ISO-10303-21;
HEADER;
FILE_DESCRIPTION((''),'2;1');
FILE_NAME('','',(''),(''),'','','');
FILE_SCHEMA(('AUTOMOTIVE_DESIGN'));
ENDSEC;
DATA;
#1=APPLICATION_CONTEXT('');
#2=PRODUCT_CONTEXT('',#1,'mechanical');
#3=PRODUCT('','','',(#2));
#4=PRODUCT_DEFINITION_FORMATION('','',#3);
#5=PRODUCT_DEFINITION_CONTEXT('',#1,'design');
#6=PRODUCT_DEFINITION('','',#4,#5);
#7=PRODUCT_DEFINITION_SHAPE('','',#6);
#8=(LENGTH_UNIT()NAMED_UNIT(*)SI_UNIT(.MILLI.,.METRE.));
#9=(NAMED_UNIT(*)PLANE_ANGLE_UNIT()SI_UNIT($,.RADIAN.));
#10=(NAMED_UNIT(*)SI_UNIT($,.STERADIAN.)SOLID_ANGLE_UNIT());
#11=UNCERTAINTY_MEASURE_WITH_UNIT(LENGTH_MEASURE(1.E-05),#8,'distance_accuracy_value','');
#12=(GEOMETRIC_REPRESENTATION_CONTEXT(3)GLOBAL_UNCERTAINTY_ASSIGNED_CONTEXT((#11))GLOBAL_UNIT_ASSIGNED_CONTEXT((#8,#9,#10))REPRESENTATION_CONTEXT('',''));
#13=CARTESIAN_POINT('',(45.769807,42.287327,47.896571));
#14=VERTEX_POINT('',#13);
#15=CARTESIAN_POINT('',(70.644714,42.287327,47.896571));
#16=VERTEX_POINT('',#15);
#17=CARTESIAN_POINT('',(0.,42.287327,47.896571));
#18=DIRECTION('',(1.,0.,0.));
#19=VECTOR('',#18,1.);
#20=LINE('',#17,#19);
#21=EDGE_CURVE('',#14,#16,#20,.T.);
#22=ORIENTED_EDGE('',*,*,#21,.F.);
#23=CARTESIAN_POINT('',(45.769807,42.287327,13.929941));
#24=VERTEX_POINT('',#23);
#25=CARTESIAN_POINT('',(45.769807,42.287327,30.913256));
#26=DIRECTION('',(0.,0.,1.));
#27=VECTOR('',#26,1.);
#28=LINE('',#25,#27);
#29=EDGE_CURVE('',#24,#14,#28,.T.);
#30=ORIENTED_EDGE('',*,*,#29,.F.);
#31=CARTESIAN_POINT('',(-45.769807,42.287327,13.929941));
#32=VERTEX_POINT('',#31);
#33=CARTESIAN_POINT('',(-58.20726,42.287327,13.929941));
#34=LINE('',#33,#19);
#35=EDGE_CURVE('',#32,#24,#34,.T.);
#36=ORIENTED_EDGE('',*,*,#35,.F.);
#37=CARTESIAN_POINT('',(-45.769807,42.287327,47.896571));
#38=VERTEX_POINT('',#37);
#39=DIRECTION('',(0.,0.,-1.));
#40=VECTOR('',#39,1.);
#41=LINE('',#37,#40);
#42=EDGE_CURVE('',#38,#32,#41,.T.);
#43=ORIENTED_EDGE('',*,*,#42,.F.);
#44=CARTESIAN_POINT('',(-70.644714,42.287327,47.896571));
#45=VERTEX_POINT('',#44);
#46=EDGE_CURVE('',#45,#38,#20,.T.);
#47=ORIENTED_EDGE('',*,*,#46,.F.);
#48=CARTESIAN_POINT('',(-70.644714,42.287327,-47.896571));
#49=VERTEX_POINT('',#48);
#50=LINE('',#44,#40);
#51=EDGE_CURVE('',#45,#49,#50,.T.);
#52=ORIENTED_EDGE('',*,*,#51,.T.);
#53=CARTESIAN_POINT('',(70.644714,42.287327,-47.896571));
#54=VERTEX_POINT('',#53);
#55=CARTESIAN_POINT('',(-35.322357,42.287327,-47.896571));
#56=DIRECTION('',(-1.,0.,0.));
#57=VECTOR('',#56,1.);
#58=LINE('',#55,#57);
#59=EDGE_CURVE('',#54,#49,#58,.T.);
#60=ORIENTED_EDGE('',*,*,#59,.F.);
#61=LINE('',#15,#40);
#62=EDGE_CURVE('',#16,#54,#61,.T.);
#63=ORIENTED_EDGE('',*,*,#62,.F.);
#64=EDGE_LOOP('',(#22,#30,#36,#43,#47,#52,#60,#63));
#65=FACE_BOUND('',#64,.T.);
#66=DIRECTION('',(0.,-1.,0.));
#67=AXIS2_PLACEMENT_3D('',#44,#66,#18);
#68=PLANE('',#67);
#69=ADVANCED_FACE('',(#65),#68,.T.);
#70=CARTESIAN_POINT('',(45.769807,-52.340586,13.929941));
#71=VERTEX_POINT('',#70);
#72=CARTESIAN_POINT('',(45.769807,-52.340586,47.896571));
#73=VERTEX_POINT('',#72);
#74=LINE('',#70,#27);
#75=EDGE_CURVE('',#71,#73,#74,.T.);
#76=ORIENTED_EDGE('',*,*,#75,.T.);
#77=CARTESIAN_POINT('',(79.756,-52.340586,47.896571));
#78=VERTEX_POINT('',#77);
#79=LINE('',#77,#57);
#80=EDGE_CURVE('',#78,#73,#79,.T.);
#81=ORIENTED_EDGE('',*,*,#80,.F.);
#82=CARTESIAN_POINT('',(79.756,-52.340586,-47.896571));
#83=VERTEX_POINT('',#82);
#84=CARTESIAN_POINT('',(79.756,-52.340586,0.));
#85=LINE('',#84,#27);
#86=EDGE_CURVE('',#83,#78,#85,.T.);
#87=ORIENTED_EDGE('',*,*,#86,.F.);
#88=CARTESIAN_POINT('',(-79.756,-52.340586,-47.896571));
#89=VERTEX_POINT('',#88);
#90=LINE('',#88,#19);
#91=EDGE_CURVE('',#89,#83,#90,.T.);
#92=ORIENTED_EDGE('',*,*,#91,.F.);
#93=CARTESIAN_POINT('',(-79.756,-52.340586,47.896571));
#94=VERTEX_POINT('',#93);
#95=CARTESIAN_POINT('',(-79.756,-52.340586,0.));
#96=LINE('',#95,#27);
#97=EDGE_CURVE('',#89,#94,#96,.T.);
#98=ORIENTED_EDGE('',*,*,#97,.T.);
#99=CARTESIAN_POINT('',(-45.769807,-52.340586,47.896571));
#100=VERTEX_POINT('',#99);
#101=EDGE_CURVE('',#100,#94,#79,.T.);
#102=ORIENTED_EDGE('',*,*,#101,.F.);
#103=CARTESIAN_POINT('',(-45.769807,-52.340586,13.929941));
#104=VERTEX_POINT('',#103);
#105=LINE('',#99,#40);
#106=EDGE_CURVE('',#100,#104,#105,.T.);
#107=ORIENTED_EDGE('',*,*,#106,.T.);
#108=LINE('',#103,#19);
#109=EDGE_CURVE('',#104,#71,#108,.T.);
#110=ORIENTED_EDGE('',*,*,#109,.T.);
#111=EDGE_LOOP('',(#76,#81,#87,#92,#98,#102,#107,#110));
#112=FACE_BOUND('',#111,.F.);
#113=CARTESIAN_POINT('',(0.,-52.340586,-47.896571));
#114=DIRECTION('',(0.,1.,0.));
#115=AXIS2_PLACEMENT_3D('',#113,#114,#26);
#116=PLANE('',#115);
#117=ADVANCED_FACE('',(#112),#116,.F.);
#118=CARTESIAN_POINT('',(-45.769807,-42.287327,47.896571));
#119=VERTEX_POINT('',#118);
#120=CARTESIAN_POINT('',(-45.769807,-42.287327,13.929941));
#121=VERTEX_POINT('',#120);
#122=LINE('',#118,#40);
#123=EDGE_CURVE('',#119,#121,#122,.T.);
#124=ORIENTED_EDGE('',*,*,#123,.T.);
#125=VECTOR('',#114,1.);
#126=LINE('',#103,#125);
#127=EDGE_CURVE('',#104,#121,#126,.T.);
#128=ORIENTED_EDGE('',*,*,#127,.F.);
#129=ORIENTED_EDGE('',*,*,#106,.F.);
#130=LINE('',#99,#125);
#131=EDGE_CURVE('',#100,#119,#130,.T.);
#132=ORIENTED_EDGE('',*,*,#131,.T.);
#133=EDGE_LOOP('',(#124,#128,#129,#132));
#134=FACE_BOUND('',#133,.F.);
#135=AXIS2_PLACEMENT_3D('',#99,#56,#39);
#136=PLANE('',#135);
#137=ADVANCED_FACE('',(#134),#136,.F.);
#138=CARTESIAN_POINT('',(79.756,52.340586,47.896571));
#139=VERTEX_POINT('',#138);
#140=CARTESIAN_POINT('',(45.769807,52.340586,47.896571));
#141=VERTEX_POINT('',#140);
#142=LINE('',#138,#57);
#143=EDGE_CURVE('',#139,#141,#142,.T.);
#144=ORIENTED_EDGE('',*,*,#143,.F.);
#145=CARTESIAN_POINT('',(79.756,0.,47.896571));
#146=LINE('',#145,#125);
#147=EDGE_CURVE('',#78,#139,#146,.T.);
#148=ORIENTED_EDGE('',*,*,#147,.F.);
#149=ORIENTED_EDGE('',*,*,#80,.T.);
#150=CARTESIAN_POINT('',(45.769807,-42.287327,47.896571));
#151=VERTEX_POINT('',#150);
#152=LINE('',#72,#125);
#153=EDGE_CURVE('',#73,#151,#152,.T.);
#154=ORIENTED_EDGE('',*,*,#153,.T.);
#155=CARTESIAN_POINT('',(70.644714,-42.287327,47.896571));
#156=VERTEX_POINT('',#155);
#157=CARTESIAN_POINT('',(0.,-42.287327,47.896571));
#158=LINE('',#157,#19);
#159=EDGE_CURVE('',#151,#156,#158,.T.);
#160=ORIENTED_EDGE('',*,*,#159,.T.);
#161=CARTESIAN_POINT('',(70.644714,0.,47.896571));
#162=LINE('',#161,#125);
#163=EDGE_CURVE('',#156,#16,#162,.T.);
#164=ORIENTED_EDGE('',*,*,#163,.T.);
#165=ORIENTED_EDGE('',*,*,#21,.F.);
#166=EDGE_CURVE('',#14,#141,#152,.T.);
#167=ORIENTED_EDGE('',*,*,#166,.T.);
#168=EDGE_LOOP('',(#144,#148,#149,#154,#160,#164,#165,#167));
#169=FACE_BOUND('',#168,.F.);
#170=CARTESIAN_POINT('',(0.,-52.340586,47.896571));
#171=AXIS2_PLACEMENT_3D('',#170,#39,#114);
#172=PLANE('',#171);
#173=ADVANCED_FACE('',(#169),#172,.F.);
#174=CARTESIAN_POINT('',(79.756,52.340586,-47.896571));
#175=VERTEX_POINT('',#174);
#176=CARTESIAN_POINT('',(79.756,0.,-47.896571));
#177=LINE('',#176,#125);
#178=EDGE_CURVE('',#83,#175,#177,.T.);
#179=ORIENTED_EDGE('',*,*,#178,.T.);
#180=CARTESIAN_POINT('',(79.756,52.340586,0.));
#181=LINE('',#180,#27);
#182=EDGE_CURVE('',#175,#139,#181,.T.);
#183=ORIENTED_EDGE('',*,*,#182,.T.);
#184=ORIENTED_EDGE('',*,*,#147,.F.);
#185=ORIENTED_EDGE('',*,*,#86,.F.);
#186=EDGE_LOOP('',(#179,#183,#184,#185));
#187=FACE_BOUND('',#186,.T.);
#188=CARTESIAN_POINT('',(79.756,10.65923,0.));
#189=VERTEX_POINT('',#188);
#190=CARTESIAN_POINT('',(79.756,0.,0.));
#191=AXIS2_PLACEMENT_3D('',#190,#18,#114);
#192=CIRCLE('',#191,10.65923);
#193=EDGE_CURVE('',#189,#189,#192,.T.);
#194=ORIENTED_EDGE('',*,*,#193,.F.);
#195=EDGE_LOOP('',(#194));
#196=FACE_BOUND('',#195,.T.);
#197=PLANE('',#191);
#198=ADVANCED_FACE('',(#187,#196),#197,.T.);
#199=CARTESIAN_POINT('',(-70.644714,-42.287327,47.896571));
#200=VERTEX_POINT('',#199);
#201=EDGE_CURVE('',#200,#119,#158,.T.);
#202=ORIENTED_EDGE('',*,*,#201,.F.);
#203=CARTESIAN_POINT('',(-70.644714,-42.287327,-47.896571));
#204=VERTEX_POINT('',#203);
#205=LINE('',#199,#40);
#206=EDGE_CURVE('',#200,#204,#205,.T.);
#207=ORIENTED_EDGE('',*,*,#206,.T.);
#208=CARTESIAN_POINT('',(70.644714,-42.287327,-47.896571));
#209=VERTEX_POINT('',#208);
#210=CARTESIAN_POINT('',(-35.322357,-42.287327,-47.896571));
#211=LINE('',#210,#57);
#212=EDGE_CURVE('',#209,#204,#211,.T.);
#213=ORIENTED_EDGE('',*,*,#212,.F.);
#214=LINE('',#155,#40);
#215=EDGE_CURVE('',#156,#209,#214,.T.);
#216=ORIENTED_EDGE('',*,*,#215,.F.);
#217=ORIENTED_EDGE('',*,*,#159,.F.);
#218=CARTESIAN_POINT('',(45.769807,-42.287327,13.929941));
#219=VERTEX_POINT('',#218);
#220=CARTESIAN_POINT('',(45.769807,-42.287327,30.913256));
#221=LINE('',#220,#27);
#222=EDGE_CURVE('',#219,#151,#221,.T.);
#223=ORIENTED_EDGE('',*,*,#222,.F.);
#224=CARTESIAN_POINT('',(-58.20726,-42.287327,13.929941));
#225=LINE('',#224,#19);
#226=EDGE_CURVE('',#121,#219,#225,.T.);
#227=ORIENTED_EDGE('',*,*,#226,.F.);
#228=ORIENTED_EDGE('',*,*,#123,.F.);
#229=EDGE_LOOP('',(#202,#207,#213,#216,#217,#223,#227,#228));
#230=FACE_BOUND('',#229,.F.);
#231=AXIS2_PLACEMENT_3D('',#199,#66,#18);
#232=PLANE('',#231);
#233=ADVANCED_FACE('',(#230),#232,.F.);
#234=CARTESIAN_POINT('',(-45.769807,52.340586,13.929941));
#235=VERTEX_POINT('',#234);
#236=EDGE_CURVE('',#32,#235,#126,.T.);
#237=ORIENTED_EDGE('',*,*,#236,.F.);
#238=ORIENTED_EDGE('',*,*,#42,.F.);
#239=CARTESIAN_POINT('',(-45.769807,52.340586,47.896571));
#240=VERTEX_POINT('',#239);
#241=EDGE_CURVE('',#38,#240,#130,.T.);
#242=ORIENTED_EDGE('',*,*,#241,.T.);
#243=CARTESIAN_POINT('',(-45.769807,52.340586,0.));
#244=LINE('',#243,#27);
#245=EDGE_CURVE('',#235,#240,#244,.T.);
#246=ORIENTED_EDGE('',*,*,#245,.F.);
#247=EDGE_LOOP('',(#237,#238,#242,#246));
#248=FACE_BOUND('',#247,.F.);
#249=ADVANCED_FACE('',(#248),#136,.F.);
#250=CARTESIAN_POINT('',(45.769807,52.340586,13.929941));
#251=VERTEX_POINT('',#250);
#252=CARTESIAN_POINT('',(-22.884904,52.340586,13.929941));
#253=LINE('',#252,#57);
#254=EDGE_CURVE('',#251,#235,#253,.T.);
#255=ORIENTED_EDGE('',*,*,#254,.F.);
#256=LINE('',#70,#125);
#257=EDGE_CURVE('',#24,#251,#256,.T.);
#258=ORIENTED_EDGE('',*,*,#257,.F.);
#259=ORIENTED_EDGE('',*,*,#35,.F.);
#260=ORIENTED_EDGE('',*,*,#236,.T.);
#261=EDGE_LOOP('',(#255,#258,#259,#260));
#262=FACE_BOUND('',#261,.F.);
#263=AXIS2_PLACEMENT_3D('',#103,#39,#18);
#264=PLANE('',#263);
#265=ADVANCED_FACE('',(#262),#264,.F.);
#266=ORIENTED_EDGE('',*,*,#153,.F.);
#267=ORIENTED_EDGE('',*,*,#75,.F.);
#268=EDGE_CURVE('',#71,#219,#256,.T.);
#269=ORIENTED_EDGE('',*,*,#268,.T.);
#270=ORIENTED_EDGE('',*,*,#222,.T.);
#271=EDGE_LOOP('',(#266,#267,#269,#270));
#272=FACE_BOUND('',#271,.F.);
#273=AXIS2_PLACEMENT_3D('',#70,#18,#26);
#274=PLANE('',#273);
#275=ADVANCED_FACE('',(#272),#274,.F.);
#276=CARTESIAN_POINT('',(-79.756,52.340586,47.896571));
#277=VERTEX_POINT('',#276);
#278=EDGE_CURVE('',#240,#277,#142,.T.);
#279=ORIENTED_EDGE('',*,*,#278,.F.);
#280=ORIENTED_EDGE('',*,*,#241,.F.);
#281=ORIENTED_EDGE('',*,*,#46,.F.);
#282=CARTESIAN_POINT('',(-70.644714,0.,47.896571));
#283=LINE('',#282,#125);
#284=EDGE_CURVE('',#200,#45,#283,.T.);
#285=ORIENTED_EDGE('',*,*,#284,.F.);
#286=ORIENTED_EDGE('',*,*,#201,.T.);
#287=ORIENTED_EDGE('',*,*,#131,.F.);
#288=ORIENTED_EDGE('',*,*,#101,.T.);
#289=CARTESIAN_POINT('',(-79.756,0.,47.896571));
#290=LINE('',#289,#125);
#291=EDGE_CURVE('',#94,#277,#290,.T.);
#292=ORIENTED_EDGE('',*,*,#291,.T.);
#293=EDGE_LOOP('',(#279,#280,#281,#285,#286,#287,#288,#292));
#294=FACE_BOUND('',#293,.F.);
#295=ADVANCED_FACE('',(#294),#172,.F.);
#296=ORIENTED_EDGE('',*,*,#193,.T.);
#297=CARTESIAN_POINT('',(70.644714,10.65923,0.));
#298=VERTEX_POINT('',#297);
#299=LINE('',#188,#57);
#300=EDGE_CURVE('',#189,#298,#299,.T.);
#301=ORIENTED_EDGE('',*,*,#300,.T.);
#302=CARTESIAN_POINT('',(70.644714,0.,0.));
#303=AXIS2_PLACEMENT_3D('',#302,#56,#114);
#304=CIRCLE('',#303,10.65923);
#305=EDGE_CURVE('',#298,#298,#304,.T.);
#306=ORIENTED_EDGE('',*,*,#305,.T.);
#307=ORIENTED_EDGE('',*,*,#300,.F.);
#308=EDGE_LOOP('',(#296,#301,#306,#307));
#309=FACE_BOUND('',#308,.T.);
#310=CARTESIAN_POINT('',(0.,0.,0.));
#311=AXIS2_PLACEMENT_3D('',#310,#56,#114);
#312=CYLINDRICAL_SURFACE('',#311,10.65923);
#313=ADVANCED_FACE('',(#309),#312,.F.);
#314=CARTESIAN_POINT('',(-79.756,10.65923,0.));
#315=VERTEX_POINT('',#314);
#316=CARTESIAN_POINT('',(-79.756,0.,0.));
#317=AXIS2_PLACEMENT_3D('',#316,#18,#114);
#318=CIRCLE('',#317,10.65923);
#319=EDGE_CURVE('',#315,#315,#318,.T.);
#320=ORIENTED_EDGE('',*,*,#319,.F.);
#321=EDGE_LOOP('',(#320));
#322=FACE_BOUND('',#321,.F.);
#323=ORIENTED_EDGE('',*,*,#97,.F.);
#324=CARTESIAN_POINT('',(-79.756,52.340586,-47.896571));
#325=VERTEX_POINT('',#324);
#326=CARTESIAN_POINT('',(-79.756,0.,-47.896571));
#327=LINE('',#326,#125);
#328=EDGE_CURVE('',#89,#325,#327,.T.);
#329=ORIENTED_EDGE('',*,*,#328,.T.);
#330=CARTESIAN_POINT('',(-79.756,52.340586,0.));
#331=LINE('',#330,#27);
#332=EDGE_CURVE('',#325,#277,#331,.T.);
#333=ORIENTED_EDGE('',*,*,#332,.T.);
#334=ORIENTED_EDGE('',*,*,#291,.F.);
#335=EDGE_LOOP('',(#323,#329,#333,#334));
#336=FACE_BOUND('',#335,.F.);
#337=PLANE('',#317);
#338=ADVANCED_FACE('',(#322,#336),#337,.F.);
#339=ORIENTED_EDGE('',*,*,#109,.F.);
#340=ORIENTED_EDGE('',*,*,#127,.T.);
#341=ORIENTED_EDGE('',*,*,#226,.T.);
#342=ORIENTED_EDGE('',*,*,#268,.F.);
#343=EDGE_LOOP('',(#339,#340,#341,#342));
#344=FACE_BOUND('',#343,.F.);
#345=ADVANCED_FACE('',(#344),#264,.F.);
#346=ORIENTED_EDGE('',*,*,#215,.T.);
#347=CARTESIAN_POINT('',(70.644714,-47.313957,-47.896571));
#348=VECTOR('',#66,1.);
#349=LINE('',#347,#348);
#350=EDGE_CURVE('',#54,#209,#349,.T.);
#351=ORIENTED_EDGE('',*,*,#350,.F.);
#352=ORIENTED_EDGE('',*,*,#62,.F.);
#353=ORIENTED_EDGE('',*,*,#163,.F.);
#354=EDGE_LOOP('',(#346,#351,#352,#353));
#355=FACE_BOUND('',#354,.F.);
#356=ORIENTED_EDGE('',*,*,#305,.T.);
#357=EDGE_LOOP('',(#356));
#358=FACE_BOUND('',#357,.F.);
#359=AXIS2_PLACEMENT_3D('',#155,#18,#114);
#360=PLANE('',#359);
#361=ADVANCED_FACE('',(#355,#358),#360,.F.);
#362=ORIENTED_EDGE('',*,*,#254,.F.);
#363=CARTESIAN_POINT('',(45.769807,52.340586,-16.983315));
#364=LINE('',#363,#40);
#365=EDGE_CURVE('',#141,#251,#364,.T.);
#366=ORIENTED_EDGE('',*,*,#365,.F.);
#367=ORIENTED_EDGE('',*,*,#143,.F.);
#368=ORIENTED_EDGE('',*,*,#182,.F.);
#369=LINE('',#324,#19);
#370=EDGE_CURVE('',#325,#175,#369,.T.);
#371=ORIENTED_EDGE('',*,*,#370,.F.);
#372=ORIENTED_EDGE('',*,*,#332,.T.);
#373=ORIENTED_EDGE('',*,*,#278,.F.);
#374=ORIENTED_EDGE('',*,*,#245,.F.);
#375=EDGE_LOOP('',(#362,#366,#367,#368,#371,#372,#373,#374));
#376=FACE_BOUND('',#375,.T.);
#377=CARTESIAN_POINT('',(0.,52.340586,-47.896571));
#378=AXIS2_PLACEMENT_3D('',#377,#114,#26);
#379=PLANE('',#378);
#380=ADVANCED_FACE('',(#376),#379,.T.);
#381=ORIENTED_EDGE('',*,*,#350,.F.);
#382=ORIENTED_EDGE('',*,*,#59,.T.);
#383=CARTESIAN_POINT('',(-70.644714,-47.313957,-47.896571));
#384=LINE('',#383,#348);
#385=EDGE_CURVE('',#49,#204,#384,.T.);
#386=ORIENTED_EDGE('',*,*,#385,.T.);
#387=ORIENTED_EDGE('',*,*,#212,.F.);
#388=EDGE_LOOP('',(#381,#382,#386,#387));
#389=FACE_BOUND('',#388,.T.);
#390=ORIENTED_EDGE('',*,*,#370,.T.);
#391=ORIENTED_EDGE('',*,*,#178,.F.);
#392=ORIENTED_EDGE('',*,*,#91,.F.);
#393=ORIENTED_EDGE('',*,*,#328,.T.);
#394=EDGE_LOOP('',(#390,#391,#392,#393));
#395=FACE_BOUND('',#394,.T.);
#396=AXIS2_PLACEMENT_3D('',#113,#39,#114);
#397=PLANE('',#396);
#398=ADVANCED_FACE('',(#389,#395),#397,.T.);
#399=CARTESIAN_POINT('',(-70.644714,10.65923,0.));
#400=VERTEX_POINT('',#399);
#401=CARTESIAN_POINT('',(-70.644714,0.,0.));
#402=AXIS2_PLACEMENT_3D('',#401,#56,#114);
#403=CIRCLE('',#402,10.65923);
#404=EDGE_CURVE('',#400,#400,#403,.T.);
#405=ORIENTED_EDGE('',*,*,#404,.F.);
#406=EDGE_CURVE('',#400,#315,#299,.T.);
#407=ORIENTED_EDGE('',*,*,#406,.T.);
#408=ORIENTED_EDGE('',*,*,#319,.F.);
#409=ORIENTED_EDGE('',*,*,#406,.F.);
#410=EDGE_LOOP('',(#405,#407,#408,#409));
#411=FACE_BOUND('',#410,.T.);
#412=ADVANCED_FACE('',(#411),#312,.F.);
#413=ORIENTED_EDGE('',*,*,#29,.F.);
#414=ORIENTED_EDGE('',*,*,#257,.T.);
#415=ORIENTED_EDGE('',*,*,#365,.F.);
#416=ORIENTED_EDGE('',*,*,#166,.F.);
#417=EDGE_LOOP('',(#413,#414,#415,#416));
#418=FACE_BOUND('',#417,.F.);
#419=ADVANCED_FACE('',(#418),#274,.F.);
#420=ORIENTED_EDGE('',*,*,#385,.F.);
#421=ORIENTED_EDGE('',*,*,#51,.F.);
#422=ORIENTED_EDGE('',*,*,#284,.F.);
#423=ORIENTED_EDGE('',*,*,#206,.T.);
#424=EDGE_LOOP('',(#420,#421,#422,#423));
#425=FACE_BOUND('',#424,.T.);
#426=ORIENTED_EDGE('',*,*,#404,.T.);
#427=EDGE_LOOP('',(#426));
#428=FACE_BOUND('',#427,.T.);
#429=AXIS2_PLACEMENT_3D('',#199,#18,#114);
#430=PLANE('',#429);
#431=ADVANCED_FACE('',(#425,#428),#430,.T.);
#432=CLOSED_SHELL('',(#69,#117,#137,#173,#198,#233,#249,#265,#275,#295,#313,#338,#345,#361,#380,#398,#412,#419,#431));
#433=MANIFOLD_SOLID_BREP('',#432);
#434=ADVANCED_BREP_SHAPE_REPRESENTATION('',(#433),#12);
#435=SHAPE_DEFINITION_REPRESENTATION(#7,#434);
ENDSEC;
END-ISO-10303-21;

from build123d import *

# Parameters (mm, degrees)
F0_W     = 104.681172
F0_H     = 95.793142
F0_R     = 10.65923
F1_DEPTH = 79.756
F2_W     = 141.289428
F2_H     = 84.574654
F3_DEPTH = 119.126
F5_DEPTH = 183.642


with BuildPart() as f1:
    # F0 (on Right) → F1 (new body, symmetric)
    with BuildSketch(Plane.YZ):
        Rectangle(F0_W, F0_H)
        Circle(F0_R, mode=Mode.SUBTRACT)
    extrude(amount=F1_DEPTH, both=True)

    # F2 (on face) → F3 (cut)
    with BuildSketch(Plane.XY.offset(47.896571)):
        Rectangle(F2_W, F2_H)
    extrude(amount=-F3_DEPTH, mode=Mode.SUBTRACT)

    # F4 (on face) → F5 (cut)
    with BuildSketch(Plane.XZ.offset(52.340586)):
        Polygon((45.769807, 47.896571), (0, 47.896571), (-45.769807, 47.896571), (-45.769807, 13.929941), (0, 13.929941), (45.769807, 13.929941), align=None)
    extrude(amount=-F5_DEPTH, mode=Mode.SUBTRACT)


solid = f1.part
